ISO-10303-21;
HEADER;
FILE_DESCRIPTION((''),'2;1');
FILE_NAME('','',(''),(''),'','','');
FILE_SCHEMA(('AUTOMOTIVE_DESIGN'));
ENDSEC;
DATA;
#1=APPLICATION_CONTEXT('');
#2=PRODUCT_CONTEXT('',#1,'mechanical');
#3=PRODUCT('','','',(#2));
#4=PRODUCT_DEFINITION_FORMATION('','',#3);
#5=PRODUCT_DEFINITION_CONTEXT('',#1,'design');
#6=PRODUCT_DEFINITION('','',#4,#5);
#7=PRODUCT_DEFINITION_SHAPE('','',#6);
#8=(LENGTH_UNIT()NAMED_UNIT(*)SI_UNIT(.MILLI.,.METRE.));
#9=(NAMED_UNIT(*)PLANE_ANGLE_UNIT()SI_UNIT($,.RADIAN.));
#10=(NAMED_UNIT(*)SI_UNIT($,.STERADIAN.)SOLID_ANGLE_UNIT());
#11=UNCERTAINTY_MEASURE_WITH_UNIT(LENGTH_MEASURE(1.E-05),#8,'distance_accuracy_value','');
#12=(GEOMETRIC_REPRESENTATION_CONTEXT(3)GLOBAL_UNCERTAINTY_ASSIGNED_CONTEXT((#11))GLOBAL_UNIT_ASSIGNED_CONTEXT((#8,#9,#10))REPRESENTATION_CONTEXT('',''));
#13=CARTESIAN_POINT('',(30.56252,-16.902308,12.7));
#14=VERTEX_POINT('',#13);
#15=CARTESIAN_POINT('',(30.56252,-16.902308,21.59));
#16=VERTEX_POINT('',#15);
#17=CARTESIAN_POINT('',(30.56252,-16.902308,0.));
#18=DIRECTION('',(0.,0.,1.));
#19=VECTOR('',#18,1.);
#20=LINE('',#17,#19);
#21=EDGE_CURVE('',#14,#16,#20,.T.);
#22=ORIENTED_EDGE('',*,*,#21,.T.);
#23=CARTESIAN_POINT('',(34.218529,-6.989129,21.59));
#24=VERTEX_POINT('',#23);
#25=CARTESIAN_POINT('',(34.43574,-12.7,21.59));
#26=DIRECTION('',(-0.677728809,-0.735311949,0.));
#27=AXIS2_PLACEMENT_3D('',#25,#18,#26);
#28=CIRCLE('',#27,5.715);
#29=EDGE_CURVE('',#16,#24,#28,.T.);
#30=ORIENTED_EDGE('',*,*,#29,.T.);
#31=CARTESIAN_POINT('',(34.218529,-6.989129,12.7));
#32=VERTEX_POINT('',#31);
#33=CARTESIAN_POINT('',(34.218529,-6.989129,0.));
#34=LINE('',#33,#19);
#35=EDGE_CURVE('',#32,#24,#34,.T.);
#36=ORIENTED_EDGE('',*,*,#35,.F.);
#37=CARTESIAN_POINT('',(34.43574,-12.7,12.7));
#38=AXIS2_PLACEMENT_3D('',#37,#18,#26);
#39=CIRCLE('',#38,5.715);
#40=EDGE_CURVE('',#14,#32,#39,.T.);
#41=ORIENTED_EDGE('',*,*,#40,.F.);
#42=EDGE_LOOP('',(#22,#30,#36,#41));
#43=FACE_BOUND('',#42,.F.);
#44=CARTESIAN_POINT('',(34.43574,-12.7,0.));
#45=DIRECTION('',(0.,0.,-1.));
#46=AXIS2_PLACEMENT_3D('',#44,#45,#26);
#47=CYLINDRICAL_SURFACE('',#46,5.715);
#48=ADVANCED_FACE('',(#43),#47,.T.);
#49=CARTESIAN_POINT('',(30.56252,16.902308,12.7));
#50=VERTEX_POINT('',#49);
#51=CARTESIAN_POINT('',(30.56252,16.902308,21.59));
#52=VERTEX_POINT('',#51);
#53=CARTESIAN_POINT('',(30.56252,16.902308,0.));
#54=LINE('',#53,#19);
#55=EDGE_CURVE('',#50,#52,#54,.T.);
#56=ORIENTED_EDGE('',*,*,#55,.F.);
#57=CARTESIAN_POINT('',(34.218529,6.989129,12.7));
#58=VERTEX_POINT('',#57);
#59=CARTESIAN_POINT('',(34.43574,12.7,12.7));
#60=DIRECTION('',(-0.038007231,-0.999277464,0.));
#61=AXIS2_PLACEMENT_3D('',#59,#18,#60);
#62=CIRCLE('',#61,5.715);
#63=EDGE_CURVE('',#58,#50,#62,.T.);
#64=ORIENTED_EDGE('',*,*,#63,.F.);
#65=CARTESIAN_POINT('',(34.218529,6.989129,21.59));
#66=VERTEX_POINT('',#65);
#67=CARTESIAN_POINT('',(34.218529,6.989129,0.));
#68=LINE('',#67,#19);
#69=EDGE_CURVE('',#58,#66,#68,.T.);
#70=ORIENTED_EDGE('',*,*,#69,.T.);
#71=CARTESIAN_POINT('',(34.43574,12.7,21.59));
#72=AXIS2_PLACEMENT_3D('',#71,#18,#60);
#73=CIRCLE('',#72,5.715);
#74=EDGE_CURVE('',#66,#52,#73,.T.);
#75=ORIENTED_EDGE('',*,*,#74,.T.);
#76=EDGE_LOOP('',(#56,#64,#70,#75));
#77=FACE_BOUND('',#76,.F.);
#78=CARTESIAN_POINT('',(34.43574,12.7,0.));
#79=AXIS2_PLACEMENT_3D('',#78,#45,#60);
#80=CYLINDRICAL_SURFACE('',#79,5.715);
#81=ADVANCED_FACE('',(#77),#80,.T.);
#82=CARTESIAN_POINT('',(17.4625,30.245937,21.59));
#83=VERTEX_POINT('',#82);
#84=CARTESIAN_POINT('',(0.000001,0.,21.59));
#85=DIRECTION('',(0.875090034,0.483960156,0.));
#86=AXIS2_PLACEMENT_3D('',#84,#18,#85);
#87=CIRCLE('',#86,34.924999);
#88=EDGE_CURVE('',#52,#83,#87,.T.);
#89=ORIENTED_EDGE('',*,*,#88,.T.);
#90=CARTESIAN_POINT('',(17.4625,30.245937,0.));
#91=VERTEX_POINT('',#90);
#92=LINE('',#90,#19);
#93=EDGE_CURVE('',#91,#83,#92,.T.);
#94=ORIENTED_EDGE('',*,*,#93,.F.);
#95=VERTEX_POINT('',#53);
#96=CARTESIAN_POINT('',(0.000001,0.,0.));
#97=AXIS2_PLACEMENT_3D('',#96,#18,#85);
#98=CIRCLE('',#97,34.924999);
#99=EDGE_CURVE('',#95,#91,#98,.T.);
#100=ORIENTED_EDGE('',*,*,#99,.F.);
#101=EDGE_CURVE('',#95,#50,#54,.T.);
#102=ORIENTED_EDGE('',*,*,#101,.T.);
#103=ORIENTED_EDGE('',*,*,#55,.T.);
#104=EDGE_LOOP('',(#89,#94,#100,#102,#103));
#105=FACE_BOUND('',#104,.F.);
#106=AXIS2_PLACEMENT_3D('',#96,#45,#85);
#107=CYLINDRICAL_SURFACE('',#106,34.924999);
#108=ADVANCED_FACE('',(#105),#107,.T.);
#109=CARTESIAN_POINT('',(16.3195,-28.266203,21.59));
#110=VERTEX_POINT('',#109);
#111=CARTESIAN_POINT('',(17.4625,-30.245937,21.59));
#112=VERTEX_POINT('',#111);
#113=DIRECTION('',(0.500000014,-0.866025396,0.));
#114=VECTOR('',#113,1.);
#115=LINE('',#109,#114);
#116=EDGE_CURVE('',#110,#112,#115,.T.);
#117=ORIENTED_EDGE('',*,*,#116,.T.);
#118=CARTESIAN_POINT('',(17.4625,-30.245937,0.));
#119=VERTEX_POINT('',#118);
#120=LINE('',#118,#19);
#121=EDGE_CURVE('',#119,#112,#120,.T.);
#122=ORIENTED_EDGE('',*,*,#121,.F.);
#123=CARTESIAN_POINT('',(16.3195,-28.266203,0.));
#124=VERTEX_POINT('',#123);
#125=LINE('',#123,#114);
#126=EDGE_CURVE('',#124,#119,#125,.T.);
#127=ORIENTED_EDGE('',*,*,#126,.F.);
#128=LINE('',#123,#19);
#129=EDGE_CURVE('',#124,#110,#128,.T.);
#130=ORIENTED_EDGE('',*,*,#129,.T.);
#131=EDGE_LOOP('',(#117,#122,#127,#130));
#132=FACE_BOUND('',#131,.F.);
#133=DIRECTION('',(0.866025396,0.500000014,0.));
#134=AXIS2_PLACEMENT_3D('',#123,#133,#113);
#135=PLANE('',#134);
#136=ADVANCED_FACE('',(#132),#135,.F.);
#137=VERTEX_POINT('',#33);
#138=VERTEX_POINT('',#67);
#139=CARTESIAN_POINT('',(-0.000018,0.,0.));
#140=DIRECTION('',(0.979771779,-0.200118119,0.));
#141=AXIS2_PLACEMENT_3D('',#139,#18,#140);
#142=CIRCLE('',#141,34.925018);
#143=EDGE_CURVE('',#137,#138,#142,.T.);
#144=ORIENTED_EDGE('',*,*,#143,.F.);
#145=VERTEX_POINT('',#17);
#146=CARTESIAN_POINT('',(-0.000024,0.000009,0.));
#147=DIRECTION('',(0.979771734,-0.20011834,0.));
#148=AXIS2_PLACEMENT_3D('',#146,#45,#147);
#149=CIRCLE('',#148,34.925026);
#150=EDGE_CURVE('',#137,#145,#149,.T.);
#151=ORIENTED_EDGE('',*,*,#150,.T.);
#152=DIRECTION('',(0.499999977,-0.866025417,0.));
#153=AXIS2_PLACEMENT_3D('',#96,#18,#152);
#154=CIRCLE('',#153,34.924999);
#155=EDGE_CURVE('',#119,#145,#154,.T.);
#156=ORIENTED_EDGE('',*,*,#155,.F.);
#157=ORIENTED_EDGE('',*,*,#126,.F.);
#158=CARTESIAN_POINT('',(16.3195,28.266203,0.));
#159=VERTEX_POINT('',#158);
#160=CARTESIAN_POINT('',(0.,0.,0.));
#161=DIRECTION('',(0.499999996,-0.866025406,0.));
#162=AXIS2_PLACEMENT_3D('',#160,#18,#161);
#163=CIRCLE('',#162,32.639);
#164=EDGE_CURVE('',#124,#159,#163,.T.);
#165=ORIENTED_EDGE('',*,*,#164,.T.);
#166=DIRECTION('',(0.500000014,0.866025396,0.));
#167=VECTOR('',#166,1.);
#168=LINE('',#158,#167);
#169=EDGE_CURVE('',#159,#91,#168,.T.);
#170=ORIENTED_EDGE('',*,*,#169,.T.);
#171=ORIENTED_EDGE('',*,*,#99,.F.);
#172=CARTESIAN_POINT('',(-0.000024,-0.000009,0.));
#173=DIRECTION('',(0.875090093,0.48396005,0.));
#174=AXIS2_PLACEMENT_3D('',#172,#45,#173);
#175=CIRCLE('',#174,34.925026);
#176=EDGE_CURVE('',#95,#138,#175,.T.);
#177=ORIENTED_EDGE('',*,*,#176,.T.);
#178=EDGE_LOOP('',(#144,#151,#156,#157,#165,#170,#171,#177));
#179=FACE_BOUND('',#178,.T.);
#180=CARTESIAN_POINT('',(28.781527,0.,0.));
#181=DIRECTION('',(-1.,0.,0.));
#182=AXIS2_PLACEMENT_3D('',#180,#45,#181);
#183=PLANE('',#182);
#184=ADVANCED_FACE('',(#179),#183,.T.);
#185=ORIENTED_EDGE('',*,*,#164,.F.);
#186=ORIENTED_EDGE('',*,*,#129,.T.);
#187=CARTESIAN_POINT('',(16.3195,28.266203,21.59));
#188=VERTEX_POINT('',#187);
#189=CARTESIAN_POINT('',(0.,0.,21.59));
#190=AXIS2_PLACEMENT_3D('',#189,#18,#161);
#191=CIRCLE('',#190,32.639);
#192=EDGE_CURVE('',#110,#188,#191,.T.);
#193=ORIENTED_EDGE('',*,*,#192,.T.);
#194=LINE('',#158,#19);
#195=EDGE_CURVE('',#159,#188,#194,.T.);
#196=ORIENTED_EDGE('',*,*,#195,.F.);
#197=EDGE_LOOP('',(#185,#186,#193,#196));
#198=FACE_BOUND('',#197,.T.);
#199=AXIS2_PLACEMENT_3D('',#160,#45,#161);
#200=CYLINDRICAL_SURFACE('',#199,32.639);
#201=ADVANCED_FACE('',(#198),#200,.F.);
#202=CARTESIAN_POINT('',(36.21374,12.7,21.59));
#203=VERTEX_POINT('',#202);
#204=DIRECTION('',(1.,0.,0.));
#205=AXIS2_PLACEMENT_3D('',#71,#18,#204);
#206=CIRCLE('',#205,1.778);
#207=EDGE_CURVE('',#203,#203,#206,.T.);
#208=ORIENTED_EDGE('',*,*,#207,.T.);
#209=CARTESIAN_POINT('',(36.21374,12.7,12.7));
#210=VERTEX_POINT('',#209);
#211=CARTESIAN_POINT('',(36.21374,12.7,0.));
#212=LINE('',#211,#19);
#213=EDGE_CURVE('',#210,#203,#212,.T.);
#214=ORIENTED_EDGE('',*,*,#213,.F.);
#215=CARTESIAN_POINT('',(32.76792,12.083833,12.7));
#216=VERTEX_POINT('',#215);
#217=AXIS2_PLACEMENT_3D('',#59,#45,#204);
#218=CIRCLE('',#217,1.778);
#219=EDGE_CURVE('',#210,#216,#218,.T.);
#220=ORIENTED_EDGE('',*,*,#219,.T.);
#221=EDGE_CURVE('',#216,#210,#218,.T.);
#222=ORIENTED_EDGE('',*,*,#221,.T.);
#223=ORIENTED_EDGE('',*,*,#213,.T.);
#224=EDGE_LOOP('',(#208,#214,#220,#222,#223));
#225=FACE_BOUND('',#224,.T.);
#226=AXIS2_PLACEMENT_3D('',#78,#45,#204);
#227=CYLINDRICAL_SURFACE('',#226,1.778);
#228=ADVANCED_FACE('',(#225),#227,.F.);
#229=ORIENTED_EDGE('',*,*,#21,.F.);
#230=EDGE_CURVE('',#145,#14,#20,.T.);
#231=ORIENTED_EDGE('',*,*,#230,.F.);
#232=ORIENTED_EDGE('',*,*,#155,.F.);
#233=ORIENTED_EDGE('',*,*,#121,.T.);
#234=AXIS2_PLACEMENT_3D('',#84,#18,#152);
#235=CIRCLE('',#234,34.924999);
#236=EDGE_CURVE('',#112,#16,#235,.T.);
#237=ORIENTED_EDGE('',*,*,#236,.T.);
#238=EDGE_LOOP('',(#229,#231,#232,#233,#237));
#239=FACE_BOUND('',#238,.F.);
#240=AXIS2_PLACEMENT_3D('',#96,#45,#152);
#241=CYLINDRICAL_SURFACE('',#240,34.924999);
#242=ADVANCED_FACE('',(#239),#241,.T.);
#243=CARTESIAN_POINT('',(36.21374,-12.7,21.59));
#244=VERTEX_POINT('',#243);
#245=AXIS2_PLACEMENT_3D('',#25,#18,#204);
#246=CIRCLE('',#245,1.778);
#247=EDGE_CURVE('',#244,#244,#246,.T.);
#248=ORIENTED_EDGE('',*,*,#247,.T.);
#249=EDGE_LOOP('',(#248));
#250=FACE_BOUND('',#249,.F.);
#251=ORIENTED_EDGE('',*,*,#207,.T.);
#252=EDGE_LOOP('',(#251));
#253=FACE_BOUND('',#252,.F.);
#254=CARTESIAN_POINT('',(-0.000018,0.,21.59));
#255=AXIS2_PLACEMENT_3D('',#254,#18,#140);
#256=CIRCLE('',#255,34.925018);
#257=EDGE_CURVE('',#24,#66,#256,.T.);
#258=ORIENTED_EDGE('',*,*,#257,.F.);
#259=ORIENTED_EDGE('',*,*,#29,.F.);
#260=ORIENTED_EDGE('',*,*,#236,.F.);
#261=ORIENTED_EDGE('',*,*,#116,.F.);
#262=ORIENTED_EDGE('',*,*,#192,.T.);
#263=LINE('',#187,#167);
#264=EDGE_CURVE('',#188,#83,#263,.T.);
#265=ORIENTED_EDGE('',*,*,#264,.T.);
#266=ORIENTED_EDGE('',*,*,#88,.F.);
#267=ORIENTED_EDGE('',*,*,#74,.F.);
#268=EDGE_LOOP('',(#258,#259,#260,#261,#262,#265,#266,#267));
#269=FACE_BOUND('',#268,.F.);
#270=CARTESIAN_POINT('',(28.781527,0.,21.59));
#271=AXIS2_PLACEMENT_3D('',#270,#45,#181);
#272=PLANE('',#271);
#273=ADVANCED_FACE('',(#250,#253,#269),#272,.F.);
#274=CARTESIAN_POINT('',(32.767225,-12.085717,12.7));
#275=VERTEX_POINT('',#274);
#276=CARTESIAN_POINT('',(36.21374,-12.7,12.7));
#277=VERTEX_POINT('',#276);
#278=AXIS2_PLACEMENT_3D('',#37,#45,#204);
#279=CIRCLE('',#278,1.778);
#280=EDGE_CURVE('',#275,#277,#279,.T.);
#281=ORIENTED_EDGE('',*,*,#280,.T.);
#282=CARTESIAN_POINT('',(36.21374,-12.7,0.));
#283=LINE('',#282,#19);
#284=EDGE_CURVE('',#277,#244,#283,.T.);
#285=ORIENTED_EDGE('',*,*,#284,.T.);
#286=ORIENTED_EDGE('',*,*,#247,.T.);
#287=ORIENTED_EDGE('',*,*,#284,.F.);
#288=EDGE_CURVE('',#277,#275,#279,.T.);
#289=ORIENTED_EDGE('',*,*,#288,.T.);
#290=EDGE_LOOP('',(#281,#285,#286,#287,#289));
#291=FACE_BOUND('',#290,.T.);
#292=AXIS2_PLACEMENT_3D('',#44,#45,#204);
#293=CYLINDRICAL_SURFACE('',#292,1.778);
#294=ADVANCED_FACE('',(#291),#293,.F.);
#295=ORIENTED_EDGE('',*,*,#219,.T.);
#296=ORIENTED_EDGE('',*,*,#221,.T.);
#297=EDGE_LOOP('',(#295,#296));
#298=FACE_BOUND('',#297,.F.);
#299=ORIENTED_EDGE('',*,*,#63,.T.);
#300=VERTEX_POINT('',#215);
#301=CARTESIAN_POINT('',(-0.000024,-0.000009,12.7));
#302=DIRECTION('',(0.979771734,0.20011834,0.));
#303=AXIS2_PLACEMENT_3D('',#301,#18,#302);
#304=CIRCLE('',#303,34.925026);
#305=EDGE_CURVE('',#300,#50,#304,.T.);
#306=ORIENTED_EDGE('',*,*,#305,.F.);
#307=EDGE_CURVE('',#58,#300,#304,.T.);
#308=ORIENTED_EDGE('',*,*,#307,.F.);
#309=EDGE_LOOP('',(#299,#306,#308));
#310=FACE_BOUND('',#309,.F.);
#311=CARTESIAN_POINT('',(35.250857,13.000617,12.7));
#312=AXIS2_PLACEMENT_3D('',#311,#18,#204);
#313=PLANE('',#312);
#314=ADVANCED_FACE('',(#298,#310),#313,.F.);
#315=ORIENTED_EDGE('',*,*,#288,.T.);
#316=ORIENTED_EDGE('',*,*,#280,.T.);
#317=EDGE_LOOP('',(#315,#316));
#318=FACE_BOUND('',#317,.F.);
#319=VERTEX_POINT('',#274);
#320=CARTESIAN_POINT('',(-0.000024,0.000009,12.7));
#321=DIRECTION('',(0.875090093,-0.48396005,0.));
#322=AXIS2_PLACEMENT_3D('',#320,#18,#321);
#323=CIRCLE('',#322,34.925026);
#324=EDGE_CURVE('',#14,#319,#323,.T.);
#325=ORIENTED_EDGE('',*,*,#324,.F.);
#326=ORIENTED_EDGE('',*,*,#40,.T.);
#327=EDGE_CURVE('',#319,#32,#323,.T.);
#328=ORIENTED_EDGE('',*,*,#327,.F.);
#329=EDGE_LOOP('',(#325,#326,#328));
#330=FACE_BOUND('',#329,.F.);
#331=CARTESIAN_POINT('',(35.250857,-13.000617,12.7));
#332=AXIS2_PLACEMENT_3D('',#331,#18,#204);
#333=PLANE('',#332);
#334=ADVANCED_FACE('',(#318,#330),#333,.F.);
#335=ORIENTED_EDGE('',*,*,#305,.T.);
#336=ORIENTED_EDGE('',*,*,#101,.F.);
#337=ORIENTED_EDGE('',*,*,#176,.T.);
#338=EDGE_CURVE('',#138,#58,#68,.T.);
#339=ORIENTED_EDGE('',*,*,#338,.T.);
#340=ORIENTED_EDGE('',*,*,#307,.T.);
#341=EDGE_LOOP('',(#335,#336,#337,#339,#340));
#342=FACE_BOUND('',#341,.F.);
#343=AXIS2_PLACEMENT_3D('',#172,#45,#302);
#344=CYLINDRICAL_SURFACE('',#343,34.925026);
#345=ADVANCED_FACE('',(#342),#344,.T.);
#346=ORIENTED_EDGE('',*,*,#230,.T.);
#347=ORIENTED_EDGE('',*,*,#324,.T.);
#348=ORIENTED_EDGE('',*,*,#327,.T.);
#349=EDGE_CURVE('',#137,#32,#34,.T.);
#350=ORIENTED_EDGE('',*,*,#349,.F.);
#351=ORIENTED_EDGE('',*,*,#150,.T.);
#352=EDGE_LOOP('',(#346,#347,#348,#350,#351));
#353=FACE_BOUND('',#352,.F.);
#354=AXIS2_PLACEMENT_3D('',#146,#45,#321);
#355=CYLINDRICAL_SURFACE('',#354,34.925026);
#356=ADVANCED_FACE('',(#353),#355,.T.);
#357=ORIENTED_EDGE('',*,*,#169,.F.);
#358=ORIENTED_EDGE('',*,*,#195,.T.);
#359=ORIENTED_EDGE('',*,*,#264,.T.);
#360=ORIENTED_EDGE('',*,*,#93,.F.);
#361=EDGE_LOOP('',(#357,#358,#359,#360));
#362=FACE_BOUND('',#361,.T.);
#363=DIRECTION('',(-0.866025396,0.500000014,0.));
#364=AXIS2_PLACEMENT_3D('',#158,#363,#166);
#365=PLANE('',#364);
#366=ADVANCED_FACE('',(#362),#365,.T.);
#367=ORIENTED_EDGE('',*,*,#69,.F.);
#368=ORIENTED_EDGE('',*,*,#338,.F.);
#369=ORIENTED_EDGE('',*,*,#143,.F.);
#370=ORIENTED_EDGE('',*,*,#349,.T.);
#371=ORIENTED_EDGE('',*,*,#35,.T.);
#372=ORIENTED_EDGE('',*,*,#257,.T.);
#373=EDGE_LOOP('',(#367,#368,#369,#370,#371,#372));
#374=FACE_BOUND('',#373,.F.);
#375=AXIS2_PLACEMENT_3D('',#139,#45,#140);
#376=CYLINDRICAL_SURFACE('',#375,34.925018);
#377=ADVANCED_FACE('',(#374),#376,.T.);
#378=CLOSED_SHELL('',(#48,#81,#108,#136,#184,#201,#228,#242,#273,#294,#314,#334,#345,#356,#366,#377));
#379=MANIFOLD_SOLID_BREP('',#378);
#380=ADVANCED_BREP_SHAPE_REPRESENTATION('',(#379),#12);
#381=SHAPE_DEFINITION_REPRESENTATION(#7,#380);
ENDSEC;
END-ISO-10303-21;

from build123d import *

# Parameters (mm, degrees)
SKETCH_R     = 1.778
PAD_DEPTH    = 21.59
POCKET_DEPTH = 12.7


with BuildPart() as part:
    # Sketch → Pad (new body)
    with BuildSketch(Plane.XY):
        with BuildLine():
            ThreePointArc((16.3195, -28.266203), (32.639, 0), (16.3195, 28.266203))
            Line((16.3195, 28.266203), (17.4625, 30.245937))
            ThreePointArc((30.56252, 16.902308), (24.922154, 24.467159), (17.4625, 30.245937))
            ThreePointArc((34.218529, 6.989129), (39.797707, 14.677509), (30.56252, 16.902308))
            ThreePointArc((34.218529, -6.989129), (34.925, 0), (34.218529, 6.989129))
            ThreePointArc((30.56252, -16.902308), (39.797707, -14.677509), (34.218529, -6.989129))
            ThreePointArc((17.4625, -30.245937), (24.922154, -24.467159), (30.56252, -16.902308))
            Line((16.3195, -28.266203), (17.4625, -30.245937))
        make_face()
        with Locations((34.43574, 12.7)):
            Circle(SKETCH_R, mode=Mode.SUBTRACT)
        with Locations((34.43574, -12.7)):
            Circle(SKETCH_R, mode=Mode.SUBTRACT)
    extrude(amount=PAD_DEPTH)

    # Sketch001 → Pocket (cut)
    with BuildSketch(Plane.XY):
        with BuildLine():
            ThreePointArc((34.218529, 6.989129), (39.797707, 14.677509), (30.56252, 16.902308))
            ThreePointArc((34.218529, 6.989129), (32.767573, 12.084775), (30.56252, 16.902308))
        make_face()
        with BuildLine():
            ThreePointArc((30.56252, -16.902308), (39.797707, -14.677509), (34.218529, -6.989129))
            ThreePointArc((30.56252, -16.902308), (32.767573, -12.084775), (34.218529, -6.989129))
        make_face()
    extrude(amount=POCKET_DEPTH, mode=Mode.SUBTRACT)


solid = part.part
